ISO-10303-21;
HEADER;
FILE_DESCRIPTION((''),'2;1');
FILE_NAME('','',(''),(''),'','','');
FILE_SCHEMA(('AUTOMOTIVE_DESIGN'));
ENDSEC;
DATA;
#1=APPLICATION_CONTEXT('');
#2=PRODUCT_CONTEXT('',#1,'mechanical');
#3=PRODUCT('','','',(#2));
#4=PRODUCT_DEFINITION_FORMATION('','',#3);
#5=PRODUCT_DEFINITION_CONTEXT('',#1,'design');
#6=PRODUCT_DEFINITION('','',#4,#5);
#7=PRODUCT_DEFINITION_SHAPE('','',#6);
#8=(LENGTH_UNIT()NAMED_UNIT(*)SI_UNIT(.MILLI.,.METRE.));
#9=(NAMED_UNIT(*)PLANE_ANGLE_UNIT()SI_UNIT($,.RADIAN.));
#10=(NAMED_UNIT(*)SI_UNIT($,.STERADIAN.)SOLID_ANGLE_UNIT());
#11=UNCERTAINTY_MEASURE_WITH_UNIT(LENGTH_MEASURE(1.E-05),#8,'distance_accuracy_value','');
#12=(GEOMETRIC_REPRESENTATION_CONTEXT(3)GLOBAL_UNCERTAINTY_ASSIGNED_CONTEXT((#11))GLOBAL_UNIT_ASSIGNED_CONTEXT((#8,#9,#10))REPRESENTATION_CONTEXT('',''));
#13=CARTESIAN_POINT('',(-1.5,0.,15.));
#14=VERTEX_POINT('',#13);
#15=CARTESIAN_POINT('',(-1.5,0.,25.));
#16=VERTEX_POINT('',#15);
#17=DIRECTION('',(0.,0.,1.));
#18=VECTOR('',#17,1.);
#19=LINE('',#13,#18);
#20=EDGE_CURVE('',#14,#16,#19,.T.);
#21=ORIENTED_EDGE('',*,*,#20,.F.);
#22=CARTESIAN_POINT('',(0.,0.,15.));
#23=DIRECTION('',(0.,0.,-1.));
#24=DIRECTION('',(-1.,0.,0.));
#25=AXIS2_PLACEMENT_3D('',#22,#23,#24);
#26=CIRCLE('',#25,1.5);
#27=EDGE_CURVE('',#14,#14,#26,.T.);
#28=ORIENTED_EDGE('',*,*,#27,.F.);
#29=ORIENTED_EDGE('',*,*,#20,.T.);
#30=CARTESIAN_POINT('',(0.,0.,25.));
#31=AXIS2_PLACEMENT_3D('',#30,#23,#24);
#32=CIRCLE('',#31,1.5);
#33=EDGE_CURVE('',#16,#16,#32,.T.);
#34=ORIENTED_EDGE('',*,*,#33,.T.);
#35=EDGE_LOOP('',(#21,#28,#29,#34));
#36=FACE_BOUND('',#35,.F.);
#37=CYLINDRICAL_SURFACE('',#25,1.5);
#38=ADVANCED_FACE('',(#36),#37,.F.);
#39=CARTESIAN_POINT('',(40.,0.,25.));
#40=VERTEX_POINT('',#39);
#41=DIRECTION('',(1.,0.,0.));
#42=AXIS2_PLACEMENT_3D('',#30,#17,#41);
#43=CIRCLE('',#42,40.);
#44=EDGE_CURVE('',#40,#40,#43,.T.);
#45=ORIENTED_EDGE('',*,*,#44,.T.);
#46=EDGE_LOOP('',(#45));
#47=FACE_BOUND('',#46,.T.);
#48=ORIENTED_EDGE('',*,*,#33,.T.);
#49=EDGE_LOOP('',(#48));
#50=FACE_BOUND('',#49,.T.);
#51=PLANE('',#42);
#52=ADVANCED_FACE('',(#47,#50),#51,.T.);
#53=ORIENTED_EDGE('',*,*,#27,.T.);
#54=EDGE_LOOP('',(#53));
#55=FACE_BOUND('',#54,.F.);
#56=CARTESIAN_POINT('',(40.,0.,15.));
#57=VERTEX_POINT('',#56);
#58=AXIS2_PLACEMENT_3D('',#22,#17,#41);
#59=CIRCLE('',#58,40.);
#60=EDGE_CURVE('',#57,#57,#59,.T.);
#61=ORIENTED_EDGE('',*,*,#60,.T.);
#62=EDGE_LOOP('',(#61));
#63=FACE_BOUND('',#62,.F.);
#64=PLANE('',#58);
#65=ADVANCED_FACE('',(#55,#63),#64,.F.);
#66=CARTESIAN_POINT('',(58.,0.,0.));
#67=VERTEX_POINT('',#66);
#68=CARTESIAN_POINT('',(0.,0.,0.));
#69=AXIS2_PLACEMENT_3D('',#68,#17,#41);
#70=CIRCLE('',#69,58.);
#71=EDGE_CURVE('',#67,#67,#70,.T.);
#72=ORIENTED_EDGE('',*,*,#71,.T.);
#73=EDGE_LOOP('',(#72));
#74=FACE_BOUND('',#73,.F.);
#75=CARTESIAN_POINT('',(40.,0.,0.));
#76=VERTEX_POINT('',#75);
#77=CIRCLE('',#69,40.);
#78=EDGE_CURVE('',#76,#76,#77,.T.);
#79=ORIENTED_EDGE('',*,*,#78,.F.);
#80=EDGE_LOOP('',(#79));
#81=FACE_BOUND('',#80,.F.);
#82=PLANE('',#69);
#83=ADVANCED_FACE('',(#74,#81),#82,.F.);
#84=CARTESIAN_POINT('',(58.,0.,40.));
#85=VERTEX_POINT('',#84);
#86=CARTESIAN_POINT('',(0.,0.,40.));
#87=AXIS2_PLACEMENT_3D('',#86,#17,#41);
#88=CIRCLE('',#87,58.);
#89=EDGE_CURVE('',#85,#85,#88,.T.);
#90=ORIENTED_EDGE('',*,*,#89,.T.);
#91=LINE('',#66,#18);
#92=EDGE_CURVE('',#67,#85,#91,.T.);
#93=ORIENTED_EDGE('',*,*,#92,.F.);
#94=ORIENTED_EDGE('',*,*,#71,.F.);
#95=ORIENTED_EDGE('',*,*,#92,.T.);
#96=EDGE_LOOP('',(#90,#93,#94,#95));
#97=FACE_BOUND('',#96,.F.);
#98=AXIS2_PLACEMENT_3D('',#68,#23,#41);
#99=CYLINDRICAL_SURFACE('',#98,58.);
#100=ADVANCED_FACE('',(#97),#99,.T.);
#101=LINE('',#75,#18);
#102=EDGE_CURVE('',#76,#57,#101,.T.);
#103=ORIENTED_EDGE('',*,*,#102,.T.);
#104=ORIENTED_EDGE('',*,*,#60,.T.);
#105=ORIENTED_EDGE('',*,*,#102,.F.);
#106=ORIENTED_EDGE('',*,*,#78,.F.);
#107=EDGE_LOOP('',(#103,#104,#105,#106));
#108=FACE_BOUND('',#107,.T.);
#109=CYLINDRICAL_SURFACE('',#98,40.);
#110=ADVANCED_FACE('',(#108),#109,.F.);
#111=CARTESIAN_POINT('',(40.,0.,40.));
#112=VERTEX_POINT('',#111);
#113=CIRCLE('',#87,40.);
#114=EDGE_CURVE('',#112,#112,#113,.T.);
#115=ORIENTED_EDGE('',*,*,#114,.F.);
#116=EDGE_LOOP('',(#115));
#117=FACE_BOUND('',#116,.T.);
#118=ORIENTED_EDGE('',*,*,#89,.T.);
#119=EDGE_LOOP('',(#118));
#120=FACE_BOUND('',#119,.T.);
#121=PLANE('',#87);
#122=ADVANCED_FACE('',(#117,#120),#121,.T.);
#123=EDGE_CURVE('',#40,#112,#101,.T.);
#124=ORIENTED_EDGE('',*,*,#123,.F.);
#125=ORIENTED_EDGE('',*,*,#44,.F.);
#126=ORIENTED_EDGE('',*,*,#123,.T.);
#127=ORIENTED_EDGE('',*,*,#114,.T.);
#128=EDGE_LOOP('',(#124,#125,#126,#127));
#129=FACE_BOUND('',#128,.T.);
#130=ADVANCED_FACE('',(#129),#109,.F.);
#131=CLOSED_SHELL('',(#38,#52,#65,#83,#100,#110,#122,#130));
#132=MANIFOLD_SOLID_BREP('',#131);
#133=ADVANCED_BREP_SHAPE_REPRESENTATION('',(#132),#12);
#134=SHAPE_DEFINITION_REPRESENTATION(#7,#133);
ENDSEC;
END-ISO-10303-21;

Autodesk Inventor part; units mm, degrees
ref_plane "YZ Plane" through (0, 0, 0) normal (1, 0, 0) x (0, 1, 0)
ref_plane "XZ Plane" through (0, 0, 0) normal (0, 1, 0) x (-1, 0, 0)
sketch "Sketch1" plane through (0, 0, 0) normal (0, 0, 1) x (1, 0, 0)
  circle A0 centre (0, 0) radius 40
  circle A1 centre (0, 0) radius 58
  dimension "d0" = 80
  dimension "d2" = 116
extrude "Extrusion1" add sketch "Sketch1" along normal blind 40
ref_plane "Work Plane1" through (0, 0, 20) normal (0, 0, 1) x (1, 0, 0)
sketch "Sketch2" plane through (0, 0, 20) normal (0, 0, 1) x (1, 0, 0)
  circle A0 centre (0, 0) radius 40
extrude "Extrusion2" add sketch "Sketch2" along normal mid plane 10
sketch "Sketch3" plane through (0, 0, 15) normal (0, 0, -1) x (-1, 0, 0)
  circle A0 centre (0, 0) radius 40 projected
  circle A1 centre (0, 0) radius 1.5
  dimension "d8" = 3
extrude "Extrusion3" cut sketch "Sketch3" against normal through all contours A1
properties part number "roda sim"
